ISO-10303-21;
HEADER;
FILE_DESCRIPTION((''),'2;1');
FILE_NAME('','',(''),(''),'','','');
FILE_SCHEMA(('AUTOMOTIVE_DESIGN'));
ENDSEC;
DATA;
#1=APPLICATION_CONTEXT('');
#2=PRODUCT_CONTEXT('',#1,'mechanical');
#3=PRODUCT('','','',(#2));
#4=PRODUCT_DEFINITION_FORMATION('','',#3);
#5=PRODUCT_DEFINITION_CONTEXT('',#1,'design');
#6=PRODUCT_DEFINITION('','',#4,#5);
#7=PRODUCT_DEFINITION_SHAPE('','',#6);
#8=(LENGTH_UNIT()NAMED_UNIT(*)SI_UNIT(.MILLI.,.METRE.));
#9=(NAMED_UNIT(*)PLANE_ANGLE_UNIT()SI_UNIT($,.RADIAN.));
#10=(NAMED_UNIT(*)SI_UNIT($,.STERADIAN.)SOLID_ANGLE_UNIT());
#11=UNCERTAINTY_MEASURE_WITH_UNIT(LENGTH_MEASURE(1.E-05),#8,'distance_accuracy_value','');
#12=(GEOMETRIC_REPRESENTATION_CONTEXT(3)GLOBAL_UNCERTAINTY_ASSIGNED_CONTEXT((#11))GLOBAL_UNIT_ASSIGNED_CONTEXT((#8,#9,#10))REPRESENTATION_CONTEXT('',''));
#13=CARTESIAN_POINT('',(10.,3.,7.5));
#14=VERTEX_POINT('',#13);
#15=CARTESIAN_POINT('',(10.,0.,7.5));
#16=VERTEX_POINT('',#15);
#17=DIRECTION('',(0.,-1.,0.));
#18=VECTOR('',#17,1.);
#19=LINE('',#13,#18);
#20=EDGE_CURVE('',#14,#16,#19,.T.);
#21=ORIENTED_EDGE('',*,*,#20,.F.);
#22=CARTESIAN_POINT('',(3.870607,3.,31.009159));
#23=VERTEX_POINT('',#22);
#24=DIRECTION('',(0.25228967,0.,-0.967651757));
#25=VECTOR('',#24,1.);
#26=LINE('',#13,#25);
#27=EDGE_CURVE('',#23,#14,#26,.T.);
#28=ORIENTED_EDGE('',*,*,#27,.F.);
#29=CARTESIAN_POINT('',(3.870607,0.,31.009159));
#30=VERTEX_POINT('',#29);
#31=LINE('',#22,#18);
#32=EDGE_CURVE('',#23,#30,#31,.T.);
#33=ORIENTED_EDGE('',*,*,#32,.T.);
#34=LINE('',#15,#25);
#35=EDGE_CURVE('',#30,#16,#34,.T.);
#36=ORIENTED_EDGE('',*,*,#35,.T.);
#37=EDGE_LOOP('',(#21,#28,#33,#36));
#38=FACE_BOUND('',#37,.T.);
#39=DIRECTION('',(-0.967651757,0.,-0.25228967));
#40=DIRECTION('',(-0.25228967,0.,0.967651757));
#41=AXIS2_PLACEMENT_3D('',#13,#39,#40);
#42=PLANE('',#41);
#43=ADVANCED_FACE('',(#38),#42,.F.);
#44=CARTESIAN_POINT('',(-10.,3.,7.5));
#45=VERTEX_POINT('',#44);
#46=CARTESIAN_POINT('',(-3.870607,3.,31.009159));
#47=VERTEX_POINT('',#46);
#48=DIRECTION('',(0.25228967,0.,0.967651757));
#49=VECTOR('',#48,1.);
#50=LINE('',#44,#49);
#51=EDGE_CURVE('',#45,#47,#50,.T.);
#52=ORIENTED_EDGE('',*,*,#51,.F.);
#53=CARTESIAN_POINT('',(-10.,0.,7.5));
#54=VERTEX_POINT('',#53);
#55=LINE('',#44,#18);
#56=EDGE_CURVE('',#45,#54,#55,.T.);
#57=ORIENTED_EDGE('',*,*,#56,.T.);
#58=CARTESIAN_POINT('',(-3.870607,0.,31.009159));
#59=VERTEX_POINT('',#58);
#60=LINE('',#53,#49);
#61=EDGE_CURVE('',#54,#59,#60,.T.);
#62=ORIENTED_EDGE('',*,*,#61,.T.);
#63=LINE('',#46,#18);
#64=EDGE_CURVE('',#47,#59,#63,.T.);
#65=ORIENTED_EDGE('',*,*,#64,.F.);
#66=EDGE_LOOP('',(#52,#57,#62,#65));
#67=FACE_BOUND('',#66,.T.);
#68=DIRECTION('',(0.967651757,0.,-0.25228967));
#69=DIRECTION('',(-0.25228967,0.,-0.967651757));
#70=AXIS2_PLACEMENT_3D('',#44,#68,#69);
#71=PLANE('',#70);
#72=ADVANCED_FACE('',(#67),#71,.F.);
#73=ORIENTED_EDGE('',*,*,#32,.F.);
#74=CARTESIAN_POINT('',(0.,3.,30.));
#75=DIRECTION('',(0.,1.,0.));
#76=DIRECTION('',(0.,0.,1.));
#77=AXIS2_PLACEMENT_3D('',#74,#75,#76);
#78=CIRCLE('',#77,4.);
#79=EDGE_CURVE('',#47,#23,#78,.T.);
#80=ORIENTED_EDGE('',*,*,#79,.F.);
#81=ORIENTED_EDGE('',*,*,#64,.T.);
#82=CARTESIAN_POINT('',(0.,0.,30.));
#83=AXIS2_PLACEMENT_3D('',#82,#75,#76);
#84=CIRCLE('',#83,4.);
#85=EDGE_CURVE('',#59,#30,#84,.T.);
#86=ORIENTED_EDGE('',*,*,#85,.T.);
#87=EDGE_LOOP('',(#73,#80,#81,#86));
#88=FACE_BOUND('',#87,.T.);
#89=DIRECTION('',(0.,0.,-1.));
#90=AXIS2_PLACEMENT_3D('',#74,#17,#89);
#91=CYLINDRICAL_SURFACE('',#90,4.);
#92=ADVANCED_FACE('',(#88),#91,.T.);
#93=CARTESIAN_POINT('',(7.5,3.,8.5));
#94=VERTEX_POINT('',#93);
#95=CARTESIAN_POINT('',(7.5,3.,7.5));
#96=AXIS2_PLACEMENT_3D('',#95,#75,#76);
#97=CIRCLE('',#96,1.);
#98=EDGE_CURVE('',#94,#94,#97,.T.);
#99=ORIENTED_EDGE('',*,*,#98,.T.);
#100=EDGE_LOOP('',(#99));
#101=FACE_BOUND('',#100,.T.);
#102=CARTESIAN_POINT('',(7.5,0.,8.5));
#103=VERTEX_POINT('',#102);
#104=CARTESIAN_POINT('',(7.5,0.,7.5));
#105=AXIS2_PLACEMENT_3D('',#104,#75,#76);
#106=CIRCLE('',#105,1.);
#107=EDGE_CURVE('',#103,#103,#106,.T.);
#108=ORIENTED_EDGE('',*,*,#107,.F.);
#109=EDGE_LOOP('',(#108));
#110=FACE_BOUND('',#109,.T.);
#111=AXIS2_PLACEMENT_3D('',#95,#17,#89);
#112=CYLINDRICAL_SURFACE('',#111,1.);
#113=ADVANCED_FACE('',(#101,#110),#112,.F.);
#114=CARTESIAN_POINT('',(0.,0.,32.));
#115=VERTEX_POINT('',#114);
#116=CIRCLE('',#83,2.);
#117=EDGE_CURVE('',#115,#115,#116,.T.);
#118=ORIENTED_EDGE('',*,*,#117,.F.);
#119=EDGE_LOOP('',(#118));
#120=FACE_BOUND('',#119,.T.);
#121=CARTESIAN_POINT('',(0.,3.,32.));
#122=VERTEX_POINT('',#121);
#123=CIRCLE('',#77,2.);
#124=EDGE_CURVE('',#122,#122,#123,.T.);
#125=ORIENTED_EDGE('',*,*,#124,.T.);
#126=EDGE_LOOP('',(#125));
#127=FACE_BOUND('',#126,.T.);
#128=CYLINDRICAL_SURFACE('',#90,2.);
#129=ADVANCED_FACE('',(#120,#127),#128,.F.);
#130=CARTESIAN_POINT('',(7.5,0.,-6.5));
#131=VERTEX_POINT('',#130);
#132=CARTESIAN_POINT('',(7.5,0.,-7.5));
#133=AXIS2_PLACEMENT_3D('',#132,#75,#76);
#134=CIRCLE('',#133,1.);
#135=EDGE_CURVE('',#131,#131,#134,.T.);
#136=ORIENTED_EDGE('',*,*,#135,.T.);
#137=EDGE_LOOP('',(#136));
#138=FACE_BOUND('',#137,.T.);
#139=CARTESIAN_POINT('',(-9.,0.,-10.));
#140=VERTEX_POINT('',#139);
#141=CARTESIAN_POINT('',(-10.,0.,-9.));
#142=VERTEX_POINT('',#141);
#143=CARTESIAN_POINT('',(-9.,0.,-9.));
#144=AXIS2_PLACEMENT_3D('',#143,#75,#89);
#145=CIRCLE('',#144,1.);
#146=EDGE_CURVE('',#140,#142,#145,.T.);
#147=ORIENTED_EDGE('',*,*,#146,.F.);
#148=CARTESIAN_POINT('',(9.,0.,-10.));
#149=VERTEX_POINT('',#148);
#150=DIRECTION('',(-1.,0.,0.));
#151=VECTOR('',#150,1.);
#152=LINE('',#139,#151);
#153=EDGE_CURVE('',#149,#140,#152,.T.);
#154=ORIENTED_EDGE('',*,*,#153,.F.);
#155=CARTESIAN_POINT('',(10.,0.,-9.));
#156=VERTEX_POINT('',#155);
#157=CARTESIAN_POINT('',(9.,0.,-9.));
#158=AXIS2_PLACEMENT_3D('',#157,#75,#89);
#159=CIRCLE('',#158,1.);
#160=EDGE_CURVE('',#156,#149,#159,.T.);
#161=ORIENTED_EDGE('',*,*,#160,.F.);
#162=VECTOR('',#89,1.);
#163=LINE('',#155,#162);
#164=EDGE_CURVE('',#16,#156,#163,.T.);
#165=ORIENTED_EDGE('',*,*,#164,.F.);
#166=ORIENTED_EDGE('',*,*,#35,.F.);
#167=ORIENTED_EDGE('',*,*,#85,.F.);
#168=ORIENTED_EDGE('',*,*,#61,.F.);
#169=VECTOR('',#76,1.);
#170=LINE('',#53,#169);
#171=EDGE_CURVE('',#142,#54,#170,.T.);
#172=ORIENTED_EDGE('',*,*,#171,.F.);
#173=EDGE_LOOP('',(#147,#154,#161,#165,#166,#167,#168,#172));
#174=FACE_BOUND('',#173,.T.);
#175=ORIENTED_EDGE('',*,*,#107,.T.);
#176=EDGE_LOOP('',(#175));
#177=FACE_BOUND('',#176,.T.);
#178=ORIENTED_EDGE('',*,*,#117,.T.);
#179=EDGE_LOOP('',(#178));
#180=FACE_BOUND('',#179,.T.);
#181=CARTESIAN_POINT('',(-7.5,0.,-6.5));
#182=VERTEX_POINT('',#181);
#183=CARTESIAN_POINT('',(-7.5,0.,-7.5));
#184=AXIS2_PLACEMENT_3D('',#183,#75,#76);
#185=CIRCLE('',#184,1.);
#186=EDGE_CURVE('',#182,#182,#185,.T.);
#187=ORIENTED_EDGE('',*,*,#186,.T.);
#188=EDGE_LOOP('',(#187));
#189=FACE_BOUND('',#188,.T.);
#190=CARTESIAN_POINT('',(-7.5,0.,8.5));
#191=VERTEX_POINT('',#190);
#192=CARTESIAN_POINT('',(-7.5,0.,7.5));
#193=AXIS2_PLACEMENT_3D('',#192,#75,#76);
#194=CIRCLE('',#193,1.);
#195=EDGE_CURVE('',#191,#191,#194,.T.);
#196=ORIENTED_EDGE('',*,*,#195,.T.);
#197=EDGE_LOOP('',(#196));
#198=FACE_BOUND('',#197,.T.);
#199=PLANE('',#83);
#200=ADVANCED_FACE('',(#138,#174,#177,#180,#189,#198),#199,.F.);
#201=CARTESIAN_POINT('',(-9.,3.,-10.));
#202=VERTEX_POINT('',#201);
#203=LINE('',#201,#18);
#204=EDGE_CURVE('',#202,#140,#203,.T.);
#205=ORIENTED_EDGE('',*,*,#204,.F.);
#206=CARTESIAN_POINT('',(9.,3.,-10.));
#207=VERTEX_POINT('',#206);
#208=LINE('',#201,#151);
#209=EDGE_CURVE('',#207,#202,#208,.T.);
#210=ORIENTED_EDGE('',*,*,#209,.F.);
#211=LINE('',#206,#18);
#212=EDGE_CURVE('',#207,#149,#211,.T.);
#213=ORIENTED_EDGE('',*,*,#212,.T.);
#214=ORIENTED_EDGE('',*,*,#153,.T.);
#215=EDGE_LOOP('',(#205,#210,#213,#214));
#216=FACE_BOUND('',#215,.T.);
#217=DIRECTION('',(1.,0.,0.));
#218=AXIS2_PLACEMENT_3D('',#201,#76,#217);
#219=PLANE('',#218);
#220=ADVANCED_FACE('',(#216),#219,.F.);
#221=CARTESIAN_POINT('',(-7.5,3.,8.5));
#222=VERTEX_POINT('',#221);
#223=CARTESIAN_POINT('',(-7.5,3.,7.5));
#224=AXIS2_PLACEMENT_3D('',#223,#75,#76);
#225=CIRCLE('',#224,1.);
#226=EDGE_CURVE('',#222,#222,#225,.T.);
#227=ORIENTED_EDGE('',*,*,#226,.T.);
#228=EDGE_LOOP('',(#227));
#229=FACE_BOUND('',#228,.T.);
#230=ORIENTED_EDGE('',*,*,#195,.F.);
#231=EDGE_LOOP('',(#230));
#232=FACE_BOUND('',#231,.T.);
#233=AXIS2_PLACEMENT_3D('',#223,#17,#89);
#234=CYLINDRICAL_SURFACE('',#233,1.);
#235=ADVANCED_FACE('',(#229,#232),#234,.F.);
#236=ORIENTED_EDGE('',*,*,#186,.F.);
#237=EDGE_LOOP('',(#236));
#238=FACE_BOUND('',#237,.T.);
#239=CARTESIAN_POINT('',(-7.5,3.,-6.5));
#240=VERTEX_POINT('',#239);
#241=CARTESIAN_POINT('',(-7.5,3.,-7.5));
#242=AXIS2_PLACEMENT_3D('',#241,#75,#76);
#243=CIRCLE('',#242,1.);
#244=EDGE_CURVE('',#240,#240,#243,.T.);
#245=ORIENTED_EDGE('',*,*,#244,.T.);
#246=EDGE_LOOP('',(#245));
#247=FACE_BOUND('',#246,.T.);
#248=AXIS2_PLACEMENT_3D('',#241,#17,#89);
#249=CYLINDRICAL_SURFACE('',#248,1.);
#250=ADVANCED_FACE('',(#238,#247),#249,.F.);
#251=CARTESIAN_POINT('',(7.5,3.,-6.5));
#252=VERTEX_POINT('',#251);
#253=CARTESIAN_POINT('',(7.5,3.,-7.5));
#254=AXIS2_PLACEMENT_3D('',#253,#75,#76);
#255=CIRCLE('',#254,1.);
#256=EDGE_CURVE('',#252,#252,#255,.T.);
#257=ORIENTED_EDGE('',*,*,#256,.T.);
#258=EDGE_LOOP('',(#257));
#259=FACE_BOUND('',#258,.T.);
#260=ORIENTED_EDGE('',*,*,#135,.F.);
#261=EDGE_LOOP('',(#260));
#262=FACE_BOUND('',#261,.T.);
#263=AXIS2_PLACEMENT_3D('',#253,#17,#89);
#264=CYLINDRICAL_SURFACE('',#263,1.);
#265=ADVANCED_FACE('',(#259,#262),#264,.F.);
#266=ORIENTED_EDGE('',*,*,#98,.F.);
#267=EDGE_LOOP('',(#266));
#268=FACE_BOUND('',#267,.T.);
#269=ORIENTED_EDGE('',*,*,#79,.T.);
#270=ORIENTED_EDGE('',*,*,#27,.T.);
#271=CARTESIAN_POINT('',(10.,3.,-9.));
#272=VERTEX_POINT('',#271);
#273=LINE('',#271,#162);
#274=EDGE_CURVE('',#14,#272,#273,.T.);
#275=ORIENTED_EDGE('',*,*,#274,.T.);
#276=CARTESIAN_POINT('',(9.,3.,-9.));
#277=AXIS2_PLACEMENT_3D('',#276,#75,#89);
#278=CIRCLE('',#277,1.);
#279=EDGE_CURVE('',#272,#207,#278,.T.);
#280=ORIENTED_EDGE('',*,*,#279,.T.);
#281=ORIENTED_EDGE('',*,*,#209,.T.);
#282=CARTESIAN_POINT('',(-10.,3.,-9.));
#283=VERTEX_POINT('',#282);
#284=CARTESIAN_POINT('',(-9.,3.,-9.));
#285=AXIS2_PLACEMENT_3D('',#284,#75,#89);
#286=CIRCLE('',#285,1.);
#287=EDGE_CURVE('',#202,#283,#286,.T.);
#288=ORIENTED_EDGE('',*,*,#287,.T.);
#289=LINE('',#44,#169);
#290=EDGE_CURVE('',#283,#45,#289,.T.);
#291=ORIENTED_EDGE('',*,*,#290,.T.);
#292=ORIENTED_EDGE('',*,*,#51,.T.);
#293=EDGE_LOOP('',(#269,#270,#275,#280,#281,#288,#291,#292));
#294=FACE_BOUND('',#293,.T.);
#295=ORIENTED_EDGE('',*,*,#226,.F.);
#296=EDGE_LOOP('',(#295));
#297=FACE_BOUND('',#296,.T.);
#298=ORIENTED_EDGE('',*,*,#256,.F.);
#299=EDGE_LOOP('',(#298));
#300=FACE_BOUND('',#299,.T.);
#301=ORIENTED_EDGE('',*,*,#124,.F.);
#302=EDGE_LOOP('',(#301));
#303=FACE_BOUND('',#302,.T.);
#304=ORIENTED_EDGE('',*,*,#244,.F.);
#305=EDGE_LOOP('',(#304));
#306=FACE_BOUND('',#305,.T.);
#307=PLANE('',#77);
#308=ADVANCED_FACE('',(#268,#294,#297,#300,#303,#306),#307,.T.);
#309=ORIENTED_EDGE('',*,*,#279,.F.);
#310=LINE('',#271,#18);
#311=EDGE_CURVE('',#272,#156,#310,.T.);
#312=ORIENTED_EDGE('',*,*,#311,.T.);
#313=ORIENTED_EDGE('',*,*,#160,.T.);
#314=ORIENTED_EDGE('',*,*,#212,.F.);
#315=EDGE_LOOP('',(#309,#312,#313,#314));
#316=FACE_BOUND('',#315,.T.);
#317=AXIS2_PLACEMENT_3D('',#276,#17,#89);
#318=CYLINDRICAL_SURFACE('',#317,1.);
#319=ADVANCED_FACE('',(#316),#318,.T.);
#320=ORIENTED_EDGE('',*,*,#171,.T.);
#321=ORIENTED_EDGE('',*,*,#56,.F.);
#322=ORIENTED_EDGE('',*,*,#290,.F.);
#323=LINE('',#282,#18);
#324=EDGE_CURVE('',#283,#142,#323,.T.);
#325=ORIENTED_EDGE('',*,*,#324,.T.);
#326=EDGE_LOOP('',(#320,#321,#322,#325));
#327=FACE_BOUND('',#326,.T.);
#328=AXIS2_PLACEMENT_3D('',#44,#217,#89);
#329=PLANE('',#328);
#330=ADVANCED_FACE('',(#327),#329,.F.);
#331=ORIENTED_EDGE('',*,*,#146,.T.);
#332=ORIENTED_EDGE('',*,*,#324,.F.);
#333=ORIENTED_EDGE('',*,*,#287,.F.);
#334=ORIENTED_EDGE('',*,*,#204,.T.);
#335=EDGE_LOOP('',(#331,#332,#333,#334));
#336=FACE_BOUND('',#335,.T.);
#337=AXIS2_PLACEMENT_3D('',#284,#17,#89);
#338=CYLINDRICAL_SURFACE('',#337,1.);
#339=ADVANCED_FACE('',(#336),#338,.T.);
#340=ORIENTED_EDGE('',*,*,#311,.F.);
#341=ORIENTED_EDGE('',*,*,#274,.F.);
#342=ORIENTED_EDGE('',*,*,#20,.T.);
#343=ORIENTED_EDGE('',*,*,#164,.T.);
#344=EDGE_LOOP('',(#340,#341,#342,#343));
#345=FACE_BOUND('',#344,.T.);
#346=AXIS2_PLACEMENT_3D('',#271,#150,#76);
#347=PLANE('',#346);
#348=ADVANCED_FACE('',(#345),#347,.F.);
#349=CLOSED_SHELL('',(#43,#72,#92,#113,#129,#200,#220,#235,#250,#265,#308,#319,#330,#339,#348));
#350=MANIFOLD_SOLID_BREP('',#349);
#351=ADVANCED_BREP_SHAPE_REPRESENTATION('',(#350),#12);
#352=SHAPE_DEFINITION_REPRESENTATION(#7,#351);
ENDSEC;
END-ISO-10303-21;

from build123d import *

# Parameters (mm, degrees)
CROQUIS1_R              = 1.000000001
CROQUIS1_R_2            = 2
SALIENTE_EXTRUIR1_DEPTH = 3


with BuildPart() as part:
    # Croquis1 → Saliente-Extruir1 (new body)
    with BuildSketch(Plane(origin=(0, 0, 0), x_dir=(1, 0, 0), z_dir=(0, 1, 0))):
        with BuildLine():
            Line((-10.000000001, -7.5), (-10.000000001, 9))
            ThreePointArc((-10.000000001, 9), (-9.707106782, 9.707106781), (-9.000000001, 10))
            Line((-9.000000001, 10), (8.999999999, 10))
            ThreePointArc((8.999999999, 10), (9.70710678, 9.707106781), (9.999999999, 9))
            Line((9.999999999, 9), (9.999999999, -7.5))
            Line((9.999999999, -7.5), (3.870607027, -31.009158679))
            ThreePointArc((3.870607027, -31.009158679), (0, -34), (-3.870607027, -31.009158679))
            Line((-3.870607027, -31.009158679), (-10.000000001, -7.5))
        make_face()
        with Locations(Location((-7.500000001, 7.5, 0), (0, 0, 270))):  # turned: the seam where the file's is
            Circle(CROQUIS1_R, mode=Mode.SUBTRACT)
        with Locations(Location((7.499999999, 7.5, 0), (0, 0, 270))):  # turned: the seam where the file's is
            Circle(CROQUIS1_R, mode=Mode.SUBTRACT)
        with Locations(Location((7.499999999, -7.5, 0), (0, 0, 270))):  # turned: the seam where the file's is
            Circle(CROQUIS1_R, mode=Mode.SUBTRACT)
        with Locations(Location((-7.500000001, -7.5, 0), (0, 0, 270))):  # turned: the seam where the file's is
            Circle(CROQUIS1_R, mode=Mode.SUBTRACT)
        with Locations(Location((0, -30, 0), (0, 0, 270))):  # turned: the seam where the file's is
            Circle(CROQUIS1_R_2, mode=Mode.SUBTRACT)
    extrude(amount=SALIENTE_EXTRUIR1_DEPTH)


solid = part.part
